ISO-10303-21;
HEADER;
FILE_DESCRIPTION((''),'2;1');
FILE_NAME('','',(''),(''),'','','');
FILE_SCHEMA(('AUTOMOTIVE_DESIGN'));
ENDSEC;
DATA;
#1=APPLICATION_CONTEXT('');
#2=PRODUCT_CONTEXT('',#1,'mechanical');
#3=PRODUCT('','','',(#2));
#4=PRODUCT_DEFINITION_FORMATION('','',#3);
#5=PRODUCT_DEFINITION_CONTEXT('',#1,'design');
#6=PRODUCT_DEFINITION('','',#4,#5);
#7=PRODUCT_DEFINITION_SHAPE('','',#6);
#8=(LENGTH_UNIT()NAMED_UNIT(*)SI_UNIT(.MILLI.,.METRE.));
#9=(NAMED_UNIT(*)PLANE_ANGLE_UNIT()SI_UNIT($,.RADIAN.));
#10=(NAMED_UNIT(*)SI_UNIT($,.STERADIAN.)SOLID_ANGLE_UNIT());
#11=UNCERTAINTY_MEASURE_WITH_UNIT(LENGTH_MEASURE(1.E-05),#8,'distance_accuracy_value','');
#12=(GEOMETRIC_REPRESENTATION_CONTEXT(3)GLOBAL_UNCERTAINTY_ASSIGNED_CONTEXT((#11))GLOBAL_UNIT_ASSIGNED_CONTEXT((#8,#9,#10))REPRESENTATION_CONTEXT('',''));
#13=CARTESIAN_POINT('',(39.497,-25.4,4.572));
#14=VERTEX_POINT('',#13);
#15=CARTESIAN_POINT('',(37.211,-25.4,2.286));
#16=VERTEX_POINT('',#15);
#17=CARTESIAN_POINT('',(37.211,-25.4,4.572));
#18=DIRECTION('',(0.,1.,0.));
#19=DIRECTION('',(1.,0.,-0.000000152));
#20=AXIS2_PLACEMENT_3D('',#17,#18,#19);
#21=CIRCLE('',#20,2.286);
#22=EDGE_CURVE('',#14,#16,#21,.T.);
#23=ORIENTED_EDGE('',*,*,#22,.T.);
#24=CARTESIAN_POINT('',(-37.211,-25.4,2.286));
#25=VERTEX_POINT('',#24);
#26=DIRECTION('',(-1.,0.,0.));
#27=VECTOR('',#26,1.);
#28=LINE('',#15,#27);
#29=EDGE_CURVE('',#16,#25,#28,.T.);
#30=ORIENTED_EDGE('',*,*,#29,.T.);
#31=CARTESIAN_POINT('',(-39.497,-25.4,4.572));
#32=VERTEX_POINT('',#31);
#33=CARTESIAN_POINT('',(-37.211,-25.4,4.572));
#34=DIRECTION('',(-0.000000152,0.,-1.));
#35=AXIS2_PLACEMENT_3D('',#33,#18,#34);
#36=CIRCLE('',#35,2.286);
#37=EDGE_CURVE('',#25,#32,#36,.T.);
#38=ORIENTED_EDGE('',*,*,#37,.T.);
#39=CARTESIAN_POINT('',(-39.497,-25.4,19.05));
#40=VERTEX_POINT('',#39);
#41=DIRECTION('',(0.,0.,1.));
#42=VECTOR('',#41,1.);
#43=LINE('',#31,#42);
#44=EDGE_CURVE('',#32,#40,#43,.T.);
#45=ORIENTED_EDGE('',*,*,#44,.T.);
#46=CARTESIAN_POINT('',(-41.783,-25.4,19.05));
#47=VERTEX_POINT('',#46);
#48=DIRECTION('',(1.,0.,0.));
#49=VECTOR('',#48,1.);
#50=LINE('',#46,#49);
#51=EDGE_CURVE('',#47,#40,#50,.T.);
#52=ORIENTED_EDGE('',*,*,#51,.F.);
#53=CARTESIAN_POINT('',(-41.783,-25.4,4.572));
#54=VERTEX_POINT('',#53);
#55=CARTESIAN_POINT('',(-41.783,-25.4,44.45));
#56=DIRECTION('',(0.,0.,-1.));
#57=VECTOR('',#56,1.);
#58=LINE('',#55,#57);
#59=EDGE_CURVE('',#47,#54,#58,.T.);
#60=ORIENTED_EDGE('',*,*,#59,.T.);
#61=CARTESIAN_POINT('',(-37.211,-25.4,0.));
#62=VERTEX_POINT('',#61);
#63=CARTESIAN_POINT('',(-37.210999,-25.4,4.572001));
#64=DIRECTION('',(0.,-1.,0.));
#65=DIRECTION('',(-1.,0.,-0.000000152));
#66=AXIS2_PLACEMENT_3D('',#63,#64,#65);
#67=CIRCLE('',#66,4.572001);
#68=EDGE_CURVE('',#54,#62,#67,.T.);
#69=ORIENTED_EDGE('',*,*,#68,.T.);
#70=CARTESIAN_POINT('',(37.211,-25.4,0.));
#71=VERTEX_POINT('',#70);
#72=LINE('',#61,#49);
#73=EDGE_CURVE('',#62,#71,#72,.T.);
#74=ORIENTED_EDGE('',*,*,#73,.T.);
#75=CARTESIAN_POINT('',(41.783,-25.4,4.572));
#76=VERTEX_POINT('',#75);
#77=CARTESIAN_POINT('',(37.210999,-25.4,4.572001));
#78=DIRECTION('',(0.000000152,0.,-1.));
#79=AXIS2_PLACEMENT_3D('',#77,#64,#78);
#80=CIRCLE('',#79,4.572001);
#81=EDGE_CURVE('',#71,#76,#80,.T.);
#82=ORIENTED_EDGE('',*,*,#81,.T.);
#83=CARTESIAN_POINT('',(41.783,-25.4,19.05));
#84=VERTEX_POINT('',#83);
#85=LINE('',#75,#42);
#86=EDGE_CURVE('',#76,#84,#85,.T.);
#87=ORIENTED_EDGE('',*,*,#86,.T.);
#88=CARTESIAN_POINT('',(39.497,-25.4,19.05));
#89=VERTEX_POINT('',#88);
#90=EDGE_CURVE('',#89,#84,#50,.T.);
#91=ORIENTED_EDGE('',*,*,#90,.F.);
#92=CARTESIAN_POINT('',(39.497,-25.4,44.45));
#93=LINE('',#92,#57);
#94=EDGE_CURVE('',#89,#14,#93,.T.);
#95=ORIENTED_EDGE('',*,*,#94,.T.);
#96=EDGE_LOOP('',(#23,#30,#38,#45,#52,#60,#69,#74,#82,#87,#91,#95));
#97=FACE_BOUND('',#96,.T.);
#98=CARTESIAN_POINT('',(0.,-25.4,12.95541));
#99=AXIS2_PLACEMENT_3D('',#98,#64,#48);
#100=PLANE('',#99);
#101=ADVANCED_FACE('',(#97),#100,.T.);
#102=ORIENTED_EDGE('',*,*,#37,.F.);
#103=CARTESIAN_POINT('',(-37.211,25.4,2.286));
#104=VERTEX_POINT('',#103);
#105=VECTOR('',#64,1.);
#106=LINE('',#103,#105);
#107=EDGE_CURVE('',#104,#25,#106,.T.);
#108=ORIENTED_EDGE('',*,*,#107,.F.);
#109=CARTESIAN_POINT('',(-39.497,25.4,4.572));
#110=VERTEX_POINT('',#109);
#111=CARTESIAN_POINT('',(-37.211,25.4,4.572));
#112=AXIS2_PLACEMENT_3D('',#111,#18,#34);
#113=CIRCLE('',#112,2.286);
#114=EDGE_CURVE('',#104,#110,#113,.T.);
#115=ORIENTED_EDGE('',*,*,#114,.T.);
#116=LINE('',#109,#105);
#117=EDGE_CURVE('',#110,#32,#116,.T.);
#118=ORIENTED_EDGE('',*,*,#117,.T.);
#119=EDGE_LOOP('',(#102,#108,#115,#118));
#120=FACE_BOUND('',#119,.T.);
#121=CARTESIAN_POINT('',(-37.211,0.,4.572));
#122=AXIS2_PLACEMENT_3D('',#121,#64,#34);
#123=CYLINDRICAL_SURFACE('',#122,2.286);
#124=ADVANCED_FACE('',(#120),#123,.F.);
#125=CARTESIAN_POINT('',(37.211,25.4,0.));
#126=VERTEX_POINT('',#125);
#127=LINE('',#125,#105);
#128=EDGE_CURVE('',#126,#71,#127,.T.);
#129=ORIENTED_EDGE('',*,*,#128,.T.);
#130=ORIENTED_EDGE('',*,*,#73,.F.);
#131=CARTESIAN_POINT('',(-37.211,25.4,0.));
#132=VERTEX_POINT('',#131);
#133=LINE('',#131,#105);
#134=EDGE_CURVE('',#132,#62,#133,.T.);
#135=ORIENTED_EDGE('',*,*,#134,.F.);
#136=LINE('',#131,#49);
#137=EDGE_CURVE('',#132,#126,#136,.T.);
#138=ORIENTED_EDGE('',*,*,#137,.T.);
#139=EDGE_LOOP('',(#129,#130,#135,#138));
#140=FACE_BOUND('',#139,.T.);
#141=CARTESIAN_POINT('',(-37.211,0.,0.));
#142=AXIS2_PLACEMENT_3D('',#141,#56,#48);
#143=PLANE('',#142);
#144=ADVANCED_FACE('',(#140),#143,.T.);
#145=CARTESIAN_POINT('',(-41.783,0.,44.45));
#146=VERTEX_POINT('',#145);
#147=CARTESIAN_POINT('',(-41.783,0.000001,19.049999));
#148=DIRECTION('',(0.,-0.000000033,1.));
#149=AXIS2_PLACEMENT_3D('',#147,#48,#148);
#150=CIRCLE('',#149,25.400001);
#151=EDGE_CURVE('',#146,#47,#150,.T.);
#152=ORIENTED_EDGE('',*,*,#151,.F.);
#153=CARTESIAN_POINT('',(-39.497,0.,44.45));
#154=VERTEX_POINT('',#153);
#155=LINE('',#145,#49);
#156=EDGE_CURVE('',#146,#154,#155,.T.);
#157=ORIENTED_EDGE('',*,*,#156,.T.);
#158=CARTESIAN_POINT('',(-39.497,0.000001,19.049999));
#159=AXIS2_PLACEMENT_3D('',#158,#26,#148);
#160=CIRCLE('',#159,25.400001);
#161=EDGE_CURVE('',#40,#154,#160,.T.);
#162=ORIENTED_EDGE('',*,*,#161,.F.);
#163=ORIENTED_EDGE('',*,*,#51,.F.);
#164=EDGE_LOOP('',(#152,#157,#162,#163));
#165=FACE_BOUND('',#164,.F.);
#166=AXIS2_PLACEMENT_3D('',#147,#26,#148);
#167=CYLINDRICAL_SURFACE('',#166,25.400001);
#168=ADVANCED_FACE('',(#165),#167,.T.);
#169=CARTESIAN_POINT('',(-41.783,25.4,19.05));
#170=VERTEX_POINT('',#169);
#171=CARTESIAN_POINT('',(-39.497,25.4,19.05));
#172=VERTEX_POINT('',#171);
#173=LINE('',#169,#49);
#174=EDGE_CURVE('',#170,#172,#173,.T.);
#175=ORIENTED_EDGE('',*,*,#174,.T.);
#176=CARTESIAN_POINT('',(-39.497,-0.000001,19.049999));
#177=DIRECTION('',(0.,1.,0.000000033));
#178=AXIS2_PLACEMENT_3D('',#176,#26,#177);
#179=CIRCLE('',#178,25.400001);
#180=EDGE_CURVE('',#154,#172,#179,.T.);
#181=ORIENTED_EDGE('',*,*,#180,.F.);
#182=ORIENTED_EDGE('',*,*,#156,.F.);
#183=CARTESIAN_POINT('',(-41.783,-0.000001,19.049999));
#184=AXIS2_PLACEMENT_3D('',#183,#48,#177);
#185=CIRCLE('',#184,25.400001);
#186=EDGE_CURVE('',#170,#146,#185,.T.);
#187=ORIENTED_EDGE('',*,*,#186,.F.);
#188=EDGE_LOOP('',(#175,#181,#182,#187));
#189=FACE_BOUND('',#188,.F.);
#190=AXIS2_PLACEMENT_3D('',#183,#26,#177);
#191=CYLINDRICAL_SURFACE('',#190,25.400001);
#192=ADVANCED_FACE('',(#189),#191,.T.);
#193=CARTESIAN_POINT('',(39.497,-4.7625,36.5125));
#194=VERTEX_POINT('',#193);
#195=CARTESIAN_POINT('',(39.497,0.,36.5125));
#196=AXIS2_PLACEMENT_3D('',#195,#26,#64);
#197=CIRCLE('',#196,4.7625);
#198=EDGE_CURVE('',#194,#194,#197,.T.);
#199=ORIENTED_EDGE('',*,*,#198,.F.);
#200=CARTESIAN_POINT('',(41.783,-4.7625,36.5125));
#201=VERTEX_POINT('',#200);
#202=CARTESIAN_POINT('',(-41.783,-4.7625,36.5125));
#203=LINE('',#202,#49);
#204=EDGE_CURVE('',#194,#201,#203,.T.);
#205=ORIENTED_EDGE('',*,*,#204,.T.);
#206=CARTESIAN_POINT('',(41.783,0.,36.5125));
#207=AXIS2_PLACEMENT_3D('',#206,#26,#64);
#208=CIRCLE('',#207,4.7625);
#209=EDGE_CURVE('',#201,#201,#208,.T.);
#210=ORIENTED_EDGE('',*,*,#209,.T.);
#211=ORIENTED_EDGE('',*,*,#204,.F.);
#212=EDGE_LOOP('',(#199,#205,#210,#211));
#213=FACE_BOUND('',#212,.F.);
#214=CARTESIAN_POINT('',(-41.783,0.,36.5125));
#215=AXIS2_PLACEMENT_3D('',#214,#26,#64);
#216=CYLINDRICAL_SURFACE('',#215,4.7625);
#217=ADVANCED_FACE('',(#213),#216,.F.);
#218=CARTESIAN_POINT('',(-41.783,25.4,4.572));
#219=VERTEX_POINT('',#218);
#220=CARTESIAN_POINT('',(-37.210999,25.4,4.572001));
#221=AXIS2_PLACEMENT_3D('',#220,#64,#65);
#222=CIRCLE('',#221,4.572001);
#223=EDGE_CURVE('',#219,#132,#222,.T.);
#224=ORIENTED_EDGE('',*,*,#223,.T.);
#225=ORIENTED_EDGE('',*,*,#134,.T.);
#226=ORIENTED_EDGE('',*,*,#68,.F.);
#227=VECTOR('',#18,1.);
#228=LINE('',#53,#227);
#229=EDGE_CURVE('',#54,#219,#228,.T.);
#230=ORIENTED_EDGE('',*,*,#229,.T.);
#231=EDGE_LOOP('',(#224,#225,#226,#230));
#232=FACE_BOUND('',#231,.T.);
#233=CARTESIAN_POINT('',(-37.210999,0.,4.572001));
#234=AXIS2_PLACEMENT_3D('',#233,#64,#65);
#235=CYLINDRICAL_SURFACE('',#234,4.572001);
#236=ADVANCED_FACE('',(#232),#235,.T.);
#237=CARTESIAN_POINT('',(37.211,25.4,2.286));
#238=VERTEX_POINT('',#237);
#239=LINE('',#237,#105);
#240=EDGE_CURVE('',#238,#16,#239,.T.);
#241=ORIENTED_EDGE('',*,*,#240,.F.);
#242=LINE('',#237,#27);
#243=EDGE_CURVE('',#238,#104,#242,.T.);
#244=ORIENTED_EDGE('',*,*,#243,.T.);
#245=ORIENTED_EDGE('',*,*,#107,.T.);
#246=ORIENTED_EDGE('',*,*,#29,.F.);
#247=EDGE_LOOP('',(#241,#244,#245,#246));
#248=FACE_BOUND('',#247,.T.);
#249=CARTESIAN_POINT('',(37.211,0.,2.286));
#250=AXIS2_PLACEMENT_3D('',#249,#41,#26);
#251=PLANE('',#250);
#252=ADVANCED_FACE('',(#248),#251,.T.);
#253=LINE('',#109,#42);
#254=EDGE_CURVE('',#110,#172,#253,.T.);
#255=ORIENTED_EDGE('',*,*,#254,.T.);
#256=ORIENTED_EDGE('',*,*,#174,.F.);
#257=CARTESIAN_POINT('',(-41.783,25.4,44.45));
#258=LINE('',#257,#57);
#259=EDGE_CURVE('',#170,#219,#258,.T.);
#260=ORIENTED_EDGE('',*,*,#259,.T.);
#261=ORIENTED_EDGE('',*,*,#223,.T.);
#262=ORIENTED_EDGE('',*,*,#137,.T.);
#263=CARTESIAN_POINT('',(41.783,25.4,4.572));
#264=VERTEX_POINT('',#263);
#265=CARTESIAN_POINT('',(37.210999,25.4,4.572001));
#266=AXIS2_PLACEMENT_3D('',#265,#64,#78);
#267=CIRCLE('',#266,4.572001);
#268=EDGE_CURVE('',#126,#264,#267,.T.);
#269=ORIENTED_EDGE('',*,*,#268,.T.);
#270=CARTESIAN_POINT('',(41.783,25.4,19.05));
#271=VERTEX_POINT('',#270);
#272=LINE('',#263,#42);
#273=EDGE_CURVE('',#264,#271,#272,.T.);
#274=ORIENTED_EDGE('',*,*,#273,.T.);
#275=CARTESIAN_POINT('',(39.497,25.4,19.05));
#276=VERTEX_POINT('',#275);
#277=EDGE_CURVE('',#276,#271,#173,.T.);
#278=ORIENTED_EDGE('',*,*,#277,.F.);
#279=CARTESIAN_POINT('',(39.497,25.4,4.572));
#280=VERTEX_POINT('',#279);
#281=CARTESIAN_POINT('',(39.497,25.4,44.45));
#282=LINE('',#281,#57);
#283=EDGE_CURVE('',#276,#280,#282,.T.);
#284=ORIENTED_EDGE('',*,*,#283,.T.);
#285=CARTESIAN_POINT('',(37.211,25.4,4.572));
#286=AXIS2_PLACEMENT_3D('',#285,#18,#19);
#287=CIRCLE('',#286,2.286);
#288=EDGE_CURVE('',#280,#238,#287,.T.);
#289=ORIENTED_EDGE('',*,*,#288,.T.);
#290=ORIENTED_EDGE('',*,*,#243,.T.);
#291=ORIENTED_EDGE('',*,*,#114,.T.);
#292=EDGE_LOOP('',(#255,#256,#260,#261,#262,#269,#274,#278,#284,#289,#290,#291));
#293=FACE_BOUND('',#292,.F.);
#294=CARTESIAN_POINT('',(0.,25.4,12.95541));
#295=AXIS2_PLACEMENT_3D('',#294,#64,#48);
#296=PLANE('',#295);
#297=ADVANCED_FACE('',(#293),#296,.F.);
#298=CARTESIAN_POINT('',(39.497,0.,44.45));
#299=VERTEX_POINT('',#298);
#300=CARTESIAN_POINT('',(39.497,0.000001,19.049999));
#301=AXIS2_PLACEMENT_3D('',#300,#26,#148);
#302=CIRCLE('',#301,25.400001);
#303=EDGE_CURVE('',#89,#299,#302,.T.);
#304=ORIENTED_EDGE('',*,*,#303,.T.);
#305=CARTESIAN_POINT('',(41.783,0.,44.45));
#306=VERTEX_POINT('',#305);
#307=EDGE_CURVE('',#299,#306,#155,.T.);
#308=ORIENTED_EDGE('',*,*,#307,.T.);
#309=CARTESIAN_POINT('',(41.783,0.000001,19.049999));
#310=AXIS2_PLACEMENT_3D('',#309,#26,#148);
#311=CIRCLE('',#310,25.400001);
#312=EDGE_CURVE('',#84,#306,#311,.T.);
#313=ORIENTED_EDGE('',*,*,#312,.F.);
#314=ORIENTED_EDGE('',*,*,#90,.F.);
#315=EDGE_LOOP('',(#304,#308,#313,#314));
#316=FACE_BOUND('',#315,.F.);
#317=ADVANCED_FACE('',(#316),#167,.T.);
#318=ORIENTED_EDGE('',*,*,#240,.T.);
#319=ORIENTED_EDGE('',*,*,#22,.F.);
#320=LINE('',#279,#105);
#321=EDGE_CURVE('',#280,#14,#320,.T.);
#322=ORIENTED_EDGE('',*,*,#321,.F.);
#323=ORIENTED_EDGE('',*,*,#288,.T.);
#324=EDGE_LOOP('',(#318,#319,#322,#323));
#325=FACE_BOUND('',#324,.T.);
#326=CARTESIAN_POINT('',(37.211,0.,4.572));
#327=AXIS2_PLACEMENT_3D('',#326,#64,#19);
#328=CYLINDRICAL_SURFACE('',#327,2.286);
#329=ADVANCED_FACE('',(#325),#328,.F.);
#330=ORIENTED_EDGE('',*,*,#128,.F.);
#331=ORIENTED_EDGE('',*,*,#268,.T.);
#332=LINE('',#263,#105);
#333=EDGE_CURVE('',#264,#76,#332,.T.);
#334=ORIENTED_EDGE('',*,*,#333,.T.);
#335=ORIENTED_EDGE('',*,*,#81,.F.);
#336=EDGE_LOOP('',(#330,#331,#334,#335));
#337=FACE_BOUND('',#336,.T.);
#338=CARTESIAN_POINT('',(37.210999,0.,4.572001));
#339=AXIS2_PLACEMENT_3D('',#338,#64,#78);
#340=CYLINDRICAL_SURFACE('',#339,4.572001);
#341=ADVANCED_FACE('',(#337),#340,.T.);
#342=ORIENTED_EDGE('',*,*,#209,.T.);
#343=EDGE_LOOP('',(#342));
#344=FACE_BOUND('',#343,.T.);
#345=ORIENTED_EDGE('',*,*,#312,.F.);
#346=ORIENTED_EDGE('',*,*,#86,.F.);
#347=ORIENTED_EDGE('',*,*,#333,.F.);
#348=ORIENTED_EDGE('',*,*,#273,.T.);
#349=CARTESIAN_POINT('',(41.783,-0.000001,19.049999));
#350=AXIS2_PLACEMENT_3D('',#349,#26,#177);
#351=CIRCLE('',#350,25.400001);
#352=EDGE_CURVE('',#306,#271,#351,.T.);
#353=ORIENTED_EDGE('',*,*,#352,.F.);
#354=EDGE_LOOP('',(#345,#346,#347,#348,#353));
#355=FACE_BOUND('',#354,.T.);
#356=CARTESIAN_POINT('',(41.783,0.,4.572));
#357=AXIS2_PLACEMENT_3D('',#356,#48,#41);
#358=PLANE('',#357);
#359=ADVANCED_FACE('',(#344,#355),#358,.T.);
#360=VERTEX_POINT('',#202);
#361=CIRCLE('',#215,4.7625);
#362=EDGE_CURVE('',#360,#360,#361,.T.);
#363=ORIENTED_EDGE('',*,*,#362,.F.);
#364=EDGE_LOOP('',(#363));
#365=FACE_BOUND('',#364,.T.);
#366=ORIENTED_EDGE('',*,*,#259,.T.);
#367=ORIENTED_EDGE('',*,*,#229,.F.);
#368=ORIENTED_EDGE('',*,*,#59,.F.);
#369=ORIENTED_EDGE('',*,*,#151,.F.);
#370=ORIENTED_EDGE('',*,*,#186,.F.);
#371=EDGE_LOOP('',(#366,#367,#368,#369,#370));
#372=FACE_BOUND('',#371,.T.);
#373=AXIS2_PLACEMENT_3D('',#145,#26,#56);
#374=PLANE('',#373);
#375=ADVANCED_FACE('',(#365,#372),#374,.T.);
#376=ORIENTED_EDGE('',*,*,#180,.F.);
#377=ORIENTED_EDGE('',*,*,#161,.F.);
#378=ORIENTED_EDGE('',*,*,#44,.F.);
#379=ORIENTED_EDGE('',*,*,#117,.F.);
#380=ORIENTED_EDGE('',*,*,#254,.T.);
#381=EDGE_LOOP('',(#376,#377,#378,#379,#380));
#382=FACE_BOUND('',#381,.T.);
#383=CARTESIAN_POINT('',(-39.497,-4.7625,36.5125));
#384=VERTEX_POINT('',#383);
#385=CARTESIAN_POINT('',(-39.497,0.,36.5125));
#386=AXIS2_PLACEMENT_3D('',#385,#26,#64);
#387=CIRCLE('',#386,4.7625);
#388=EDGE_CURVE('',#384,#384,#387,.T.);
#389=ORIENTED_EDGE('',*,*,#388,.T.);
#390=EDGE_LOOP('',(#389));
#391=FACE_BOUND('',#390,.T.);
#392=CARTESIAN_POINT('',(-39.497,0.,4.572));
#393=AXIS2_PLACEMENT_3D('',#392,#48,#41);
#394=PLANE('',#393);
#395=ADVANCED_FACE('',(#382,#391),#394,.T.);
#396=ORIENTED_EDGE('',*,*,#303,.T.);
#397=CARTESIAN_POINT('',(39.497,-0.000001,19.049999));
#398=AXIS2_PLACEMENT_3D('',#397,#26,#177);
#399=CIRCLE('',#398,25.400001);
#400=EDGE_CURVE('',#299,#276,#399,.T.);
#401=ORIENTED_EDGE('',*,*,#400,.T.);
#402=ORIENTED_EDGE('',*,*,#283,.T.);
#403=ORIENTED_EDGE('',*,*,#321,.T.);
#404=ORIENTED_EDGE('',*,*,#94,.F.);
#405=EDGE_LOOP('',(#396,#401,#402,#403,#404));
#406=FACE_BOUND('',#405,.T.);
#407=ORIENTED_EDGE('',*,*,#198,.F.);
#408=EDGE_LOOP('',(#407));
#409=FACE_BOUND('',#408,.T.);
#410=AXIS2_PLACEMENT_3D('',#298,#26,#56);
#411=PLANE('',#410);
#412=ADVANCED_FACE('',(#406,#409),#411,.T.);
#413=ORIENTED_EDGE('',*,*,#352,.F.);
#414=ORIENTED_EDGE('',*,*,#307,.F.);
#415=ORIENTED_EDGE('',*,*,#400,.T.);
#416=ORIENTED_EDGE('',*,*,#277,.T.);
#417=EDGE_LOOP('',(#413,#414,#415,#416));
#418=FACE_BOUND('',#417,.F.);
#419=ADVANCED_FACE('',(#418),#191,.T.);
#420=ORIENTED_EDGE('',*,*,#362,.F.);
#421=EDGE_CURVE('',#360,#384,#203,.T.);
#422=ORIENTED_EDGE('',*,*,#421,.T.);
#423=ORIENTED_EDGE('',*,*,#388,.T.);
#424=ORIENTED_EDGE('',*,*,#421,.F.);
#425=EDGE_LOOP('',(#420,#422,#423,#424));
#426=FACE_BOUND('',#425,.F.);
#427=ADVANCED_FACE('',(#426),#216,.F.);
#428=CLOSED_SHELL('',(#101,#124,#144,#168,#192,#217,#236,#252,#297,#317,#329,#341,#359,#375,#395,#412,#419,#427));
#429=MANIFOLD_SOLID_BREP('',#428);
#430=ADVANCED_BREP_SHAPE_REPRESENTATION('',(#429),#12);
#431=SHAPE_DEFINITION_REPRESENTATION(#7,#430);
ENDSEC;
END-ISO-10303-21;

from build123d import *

# Parameters (mm, degrees)
F1_DEPTH = 25.4
F2_R     = 4.7625
F3_DEPTH = 83.567


with BuildPart() as f1:
    # F0 (on Front) → F1 (new body, symmetric)
    with BuildSketch(Plane.XZ):
        with BuildLine():
            ThreePointArc((-41.783, 4.572), (-40.443892, 1.339108), (-37.211, 0))
            Line((-37.211, 0), (37.211, 0))
            ThreePointArc((37.211, 0), (40.443892, 1.339108), (41.783, 4.572))
            Line((41.783, 4.572), (41.783, 44.45))
            Line((41.783, 44.45), (39.497, 44.45))
            Line((39.497, 44.45), (39.497, 4.572))
            ThreePointArc((39.497, 4.572), (38.827446, 2.955554), (37.211, 2.286))
            Line((37.211, 2.286), (-37.211, 2.286))
            ThreePointArc((-37.211, 2.286), (-38.827446, 2.955554), (-39.497, 4.572))
            Line((-39.497, 4.572), (-39.497, 44.45))
            Line((-39.497, 44.45), (-41.783, 44.45))
            Line((-41.783, 44.45), (-41.783, 4.572))
        make_face()
    extrude(amount=F1_DEPTH, both=True)

    # F2 (on face) → F3 (cut, through all)
    with BuildSketch(Plane(origin=(-41.783, 0, 0), x_dir=(0, -1, 0), z_dir=(-1, 0, 0))):
        with BuildLine():
            ThreePointArc((-25.4, 19.05), (-17.960512, 37.010512), (0, 44.45))
            Line((0, 44.45), (-25.4, 44.45))
            Line((-25.4, 44.45), (-25.4, 19.05))
        make_face()
        with Locations((0, 36.5125)):
            Circle(F2_R)
        with BuildLine():
            ThreePointArc((0, 44.45), (17.960512, 37.010512), (25.4, 19.05))
            Line((25.4, 19.05), (25.4, 44.45))
            Line((25.4, 44.45), (0, 44.45))
        make_face()
    extrude(amount=-F3_DEPTH, mode=Mode.SUBTRACT)


solid = f1.part
